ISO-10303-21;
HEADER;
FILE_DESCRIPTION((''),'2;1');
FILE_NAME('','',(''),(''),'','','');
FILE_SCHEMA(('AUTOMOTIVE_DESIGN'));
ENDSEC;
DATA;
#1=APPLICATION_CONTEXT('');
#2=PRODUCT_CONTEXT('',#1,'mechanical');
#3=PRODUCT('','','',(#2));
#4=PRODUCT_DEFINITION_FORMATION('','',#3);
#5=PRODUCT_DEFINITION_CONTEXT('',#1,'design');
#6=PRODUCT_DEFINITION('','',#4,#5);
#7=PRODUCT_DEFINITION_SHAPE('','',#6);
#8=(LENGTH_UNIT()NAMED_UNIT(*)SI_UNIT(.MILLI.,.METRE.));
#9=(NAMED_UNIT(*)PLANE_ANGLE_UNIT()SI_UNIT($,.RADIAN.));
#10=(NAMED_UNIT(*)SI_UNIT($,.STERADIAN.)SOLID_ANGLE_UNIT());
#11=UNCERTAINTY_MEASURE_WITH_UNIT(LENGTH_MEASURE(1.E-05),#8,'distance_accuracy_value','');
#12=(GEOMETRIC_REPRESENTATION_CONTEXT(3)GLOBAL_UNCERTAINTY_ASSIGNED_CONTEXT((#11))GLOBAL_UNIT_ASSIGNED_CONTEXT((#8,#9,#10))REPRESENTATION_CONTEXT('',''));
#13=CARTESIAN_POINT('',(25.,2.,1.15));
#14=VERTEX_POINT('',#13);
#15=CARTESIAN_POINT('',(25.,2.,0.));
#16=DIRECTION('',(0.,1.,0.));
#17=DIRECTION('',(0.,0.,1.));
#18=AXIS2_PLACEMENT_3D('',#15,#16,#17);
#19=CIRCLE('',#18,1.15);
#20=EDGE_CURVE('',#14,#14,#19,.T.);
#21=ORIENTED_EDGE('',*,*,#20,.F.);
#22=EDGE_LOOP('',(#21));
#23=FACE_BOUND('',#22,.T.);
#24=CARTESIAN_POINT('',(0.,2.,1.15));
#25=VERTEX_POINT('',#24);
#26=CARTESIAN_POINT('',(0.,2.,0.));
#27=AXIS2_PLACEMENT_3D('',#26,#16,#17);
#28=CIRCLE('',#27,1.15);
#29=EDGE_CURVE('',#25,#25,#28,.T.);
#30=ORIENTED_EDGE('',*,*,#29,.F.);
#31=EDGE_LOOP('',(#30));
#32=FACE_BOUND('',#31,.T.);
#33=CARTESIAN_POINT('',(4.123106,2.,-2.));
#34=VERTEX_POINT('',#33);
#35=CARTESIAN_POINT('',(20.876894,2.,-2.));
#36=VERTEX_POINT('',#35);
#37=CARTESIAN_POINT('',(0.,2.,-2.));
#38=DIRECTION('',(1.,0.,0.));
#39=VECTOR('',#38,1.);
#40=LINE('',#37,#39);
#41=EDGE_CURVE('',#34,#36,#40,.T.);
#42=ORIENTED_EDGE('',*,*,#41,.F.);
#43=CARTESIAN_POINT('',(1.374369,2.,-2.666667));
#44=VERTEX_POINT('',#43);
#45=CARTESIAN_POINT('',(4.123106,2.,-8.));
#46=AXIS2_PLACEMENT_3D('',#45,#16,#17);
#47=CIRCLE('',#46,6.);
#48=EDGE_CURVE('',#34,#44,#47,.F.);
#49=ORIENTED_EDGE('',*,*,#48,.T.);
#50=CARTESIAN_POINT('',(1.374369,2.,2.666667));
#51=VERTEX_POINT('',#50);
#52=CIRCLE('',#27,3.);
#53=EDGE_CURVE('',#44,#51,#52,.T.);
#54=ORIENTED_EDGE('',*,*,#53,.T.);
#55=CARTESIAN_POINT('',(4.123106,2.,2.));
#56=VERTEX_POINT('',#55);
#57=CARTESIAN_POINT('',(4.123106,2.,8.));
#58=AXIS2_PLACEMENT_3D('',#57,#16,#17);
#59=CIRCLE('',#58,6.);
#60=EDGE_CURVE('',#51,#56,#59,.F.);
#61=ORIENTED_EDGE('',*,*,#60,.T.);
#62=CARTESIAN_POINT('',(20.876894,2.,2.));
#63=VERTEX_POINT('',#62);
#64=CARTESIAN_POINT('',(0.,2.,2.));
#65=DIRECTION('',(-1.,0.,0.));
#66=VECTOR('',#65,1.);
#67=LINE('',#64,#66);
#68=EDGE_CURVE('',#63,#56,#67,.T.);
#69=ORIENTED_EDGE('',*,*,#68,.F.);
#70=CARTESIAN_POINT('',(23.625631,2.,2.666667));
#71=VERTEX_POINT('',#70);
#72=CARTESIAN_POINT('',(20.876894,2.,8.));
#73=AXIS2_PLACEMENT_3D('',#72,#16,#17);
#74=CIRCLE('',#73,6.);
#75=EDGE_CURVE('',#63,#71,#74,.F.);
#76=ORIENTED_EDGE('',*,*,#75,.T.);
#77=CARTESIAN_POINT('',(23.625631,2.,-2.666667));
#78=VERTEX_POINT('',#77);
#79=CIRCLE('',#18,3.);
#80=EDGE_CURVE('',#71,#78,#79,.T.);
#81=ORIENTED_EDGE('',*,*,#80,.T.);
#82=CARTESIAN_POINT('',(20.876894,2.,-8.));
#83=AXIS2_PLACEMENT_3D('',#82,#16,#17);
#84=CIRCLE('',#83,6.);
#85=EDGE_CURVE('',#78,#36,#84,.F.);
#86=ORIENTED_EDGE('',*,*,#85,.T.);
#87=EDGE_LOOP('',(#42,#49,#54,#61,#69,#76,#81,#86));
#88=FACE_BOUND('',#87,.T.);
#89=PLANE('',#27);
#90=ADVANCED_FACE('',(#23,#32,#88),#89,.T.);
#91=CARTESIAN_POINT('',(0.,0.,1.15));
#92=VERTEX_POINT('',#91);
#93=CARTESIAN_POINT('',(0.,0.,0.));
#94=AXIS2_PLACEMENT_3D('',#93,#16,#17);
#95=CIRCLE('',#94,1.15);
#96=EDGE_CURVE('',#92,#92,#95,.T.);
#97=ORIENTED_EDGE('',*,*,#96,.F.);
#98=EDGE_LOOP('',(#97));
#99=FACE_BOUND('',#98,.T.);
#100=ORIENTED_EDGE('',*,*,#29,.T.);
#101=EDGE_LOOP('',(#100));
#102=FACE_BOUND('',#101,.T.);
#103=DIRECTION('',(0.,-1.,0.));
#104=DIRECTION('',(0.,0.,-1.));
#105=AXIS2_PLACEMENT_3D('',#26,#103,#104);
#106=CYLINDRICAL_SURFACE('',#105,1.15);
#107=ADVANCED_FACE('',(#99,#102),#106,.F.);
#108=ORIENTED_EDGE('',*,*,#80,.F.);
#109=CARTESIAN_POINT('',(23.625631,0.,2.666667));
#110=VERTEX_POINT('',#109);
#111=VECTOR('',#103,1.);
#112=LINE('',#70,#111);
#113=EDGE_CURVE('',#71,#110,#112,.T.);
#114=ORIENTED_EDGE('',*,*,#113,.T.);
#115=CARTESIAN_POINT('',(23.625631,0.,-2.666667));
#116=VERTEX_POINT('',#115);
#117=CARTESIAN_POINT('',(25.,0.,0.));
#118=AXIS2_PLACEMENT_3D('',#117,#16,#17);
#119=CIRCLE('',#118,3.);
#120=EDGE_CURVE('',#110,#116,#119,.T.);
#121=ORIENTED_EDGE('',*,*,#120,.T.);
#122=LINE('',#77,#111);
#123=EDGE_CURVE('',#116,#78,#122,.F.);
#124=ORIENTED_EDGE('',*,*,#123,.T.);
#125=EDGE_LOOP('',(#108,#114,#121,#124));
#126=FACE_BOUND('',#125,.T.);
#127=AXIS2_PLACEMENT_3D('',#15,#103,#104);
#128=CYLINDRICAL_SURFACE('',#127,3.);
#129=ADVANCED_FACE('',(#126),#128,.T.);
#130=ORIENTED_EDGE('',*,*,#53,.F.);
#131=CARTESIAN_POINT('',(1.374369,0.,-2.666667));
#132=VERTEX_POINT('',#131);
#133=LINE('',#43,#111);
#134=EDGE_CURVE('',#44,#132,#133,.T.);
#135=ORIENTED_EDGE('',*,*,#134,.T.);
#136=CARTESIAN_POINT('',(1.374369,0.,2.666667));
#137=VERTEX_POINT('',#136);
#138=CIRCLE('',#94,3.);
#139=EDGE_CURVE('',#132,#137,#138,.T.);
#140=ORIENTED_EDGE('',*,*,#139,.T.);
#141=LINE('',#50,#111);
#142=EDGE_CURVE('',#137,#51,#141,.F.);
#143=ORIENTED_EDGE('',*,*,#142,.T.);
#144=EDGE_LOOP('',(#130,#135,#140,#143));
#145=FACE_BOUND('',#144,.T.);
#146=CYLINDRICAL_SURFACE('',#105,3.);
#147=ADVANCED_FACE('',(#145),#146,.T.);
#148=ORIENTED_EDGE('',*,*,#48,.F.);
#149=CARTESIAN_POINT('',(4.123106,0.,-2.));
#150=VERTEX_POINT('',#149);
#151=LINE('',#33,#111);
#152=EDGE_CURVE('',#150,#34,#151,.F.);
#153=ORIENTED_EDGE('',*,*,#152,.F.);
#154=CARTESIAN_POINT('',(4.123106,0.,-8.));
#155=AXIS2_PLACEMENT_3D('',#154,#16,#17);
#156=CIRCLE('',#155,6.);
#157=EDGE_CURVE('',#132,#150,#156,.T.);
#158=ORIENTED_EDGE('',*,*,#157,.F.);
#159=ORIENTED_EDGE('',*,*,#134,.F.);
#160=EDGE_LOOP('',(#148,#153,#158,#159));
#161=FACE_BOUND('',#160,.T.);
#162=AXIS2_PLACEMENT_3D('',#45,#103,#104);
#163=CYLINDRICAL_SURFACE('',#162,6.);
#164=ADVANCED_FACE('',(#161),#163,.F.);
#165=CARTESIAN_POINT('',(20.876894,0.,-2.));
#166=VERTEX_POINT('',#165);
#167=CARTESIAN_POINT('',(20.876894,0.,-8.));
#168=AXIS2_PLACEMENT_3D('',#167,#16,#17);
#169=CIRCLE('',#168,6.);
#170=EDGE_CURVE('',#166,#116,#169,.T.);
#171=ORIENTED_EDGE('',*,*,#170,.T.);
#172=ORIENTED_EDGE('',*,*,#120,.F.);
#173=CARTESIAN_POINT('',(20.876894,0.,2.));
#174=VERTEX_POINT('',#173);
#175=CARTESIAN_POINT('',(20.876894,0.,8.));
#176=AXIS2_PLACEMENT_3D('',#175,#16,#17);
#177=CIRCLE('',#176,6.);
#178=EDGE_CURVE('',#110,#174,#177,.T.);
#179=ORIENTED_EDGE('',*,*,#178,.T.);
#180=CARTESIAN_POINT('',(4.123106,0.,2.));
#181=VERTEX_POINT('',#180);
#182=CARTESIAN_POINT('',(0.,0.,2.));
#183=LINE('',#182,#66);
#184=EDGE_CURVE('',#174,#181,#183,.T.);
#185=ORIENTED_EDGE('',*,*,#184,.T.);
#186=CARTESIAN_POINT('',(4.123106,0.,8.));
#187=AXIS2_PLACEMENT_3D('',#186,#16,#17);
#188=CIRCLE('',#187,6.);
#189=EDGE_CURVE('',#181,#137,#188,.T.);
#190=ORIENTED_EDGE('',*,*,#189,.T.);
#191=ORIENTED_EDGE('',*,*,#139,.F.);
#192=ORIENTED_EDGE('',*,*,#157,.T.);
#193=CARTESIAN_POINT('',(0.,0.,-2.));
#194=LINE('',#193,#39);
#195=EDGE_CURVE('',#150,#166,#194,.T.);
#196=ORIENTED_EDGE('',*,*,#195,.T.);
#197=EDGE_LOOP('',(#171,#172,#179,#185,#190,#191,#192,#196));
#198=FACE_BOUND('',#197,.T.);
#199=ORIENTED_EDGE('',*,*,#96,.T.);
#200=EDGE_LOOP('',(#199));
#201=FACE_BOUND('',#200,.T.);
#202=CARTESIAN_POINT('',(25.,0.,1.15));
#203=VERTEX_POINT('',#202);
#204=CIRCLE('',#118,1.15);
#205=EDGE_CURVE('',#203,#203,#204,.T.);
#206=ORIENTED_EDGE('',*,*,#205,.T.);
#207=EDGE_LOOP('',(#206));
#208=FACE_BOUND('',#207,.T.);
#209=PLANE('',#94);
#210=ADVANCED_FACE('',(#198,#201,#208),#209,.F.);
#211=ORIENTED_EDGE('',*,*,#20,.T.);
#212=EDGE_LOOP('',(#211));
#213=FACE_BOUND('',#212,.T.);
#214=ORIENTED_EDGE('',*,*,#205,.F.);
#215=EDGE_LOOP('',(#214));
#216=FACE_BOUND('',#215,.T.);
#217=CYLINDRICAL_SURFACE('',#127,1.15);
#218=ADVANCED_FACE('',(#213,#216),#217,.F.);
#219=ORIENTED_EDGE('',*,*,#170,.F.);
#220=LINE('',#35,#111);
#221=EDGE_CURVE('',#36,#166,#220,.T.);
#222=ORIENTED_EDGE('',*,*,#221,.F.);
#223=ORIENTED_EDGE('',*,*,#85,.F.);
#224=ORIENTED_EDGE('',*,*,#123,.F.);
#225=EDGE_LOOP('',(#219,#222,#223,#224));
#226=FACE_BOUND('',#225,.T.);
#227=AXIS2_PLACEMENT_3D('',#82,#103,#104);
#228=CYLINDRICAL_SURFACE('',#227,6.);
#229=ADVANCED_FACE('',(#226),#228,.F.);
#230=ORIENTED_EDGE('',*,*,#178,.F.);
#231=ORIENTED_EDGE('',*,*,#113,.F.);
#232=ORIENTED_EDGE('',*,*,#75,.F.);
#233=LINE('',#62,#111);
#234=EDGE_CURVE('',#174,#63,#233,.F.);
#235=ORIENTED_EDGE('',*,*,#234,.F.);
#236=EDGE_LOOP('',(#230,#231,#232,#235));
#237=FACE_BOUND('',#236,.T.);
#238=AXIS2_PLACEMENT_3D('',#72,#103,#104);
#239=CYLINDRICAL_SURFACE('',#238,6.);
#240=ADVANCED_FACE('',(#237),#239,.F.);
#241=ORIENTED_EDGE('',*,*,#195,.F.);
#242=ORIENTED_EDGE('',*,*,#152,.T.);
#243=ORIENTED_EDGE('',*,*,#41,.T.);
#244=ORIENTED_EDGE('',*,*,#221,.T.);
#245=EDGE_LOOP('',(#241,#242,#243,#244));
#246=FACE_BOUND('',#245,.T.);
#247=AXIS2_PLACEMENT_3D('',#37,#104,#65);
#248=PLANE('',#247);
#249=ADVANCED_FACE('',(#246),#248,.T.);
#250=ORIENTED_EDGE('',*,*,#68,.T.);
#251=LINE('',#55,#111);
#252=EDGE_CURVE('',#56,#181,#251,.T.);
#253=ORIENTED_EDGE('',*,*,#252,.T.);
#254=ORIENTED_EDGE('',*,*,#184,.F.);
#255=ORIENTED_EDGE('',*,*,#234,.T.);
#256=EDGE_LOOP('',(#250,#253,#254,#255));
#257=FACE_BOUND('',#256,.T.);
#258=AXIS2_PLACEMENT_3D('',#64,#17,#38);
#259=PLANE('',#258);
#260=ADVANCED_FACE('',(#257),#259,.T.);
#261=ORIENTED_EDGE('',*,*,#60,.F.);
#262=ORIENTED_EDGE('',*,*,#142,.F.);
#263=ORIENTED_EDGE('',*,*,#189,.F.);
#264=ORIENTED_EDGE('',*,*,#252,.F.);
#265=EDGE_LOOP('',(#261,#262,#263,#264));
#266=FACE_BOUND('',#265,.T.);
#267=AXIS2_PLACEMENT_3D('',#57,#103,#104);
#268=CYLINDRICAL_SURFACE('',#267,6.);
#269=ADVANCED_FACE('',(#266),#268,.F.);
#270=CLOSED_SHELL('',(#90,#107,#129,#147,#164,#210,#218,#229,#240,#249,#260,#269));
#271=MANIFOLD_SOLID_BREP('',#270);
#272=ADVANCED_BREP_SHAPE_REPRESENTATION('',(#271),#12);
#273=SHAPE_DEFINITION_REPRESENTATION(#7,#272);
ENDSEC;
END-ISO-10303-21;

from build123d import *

# Parameters (mm, degrees)
SKETCH_1_R      = 1.15
EXTRUDE_1_DEPTH = 2
FILLET_1_R      = 6


with BuildPart() as part:
    # Эскиз1 → Бобышка-Вытянуть1 (new body)
    with BuildSketch(Plane(origin=(0, 0, 0), x_dir=(1, 0, 0), z_dir=(0, 1, 0))):
        with BuildLine():
            Line((2.236067977, 2), (22.763932023, 2))
            ThreePointArc((22.763932023, 2), (28, 0), (22.763932023, -2))
            Line((22.763932023, -2), (2.236067977, -2))
            ThreePointArc((2.236067977, -2), (-3, 0), (2.236067977, 2))
        make_face()
        with Locations(Location((0, 0, 0), (0, 0, 270))):
            Circle(SKETCH_1_R, mode=Mode.SUBTRACT)
        with Locations(Location((25, 0, 0), (0, 0, 270))):
            Circle(SKETCH_1_R, mode=Mode.SUBTRACT)
    extrude(amount=EXTRUDE_1_DEPTH)

    # Скругление1
    fillet_1_edges = [part.edges().sort_by_distance(p)[0] for p in [
        (2.236067977, 1, 2),
        (2.236067977, 1, -2),
        (22.763932023, 1, -2),
        (22.763932023, 1, 2),
    ]]
    fillet(fillet_1_edges, radius=FILLET_1_R)


solid = part.part
